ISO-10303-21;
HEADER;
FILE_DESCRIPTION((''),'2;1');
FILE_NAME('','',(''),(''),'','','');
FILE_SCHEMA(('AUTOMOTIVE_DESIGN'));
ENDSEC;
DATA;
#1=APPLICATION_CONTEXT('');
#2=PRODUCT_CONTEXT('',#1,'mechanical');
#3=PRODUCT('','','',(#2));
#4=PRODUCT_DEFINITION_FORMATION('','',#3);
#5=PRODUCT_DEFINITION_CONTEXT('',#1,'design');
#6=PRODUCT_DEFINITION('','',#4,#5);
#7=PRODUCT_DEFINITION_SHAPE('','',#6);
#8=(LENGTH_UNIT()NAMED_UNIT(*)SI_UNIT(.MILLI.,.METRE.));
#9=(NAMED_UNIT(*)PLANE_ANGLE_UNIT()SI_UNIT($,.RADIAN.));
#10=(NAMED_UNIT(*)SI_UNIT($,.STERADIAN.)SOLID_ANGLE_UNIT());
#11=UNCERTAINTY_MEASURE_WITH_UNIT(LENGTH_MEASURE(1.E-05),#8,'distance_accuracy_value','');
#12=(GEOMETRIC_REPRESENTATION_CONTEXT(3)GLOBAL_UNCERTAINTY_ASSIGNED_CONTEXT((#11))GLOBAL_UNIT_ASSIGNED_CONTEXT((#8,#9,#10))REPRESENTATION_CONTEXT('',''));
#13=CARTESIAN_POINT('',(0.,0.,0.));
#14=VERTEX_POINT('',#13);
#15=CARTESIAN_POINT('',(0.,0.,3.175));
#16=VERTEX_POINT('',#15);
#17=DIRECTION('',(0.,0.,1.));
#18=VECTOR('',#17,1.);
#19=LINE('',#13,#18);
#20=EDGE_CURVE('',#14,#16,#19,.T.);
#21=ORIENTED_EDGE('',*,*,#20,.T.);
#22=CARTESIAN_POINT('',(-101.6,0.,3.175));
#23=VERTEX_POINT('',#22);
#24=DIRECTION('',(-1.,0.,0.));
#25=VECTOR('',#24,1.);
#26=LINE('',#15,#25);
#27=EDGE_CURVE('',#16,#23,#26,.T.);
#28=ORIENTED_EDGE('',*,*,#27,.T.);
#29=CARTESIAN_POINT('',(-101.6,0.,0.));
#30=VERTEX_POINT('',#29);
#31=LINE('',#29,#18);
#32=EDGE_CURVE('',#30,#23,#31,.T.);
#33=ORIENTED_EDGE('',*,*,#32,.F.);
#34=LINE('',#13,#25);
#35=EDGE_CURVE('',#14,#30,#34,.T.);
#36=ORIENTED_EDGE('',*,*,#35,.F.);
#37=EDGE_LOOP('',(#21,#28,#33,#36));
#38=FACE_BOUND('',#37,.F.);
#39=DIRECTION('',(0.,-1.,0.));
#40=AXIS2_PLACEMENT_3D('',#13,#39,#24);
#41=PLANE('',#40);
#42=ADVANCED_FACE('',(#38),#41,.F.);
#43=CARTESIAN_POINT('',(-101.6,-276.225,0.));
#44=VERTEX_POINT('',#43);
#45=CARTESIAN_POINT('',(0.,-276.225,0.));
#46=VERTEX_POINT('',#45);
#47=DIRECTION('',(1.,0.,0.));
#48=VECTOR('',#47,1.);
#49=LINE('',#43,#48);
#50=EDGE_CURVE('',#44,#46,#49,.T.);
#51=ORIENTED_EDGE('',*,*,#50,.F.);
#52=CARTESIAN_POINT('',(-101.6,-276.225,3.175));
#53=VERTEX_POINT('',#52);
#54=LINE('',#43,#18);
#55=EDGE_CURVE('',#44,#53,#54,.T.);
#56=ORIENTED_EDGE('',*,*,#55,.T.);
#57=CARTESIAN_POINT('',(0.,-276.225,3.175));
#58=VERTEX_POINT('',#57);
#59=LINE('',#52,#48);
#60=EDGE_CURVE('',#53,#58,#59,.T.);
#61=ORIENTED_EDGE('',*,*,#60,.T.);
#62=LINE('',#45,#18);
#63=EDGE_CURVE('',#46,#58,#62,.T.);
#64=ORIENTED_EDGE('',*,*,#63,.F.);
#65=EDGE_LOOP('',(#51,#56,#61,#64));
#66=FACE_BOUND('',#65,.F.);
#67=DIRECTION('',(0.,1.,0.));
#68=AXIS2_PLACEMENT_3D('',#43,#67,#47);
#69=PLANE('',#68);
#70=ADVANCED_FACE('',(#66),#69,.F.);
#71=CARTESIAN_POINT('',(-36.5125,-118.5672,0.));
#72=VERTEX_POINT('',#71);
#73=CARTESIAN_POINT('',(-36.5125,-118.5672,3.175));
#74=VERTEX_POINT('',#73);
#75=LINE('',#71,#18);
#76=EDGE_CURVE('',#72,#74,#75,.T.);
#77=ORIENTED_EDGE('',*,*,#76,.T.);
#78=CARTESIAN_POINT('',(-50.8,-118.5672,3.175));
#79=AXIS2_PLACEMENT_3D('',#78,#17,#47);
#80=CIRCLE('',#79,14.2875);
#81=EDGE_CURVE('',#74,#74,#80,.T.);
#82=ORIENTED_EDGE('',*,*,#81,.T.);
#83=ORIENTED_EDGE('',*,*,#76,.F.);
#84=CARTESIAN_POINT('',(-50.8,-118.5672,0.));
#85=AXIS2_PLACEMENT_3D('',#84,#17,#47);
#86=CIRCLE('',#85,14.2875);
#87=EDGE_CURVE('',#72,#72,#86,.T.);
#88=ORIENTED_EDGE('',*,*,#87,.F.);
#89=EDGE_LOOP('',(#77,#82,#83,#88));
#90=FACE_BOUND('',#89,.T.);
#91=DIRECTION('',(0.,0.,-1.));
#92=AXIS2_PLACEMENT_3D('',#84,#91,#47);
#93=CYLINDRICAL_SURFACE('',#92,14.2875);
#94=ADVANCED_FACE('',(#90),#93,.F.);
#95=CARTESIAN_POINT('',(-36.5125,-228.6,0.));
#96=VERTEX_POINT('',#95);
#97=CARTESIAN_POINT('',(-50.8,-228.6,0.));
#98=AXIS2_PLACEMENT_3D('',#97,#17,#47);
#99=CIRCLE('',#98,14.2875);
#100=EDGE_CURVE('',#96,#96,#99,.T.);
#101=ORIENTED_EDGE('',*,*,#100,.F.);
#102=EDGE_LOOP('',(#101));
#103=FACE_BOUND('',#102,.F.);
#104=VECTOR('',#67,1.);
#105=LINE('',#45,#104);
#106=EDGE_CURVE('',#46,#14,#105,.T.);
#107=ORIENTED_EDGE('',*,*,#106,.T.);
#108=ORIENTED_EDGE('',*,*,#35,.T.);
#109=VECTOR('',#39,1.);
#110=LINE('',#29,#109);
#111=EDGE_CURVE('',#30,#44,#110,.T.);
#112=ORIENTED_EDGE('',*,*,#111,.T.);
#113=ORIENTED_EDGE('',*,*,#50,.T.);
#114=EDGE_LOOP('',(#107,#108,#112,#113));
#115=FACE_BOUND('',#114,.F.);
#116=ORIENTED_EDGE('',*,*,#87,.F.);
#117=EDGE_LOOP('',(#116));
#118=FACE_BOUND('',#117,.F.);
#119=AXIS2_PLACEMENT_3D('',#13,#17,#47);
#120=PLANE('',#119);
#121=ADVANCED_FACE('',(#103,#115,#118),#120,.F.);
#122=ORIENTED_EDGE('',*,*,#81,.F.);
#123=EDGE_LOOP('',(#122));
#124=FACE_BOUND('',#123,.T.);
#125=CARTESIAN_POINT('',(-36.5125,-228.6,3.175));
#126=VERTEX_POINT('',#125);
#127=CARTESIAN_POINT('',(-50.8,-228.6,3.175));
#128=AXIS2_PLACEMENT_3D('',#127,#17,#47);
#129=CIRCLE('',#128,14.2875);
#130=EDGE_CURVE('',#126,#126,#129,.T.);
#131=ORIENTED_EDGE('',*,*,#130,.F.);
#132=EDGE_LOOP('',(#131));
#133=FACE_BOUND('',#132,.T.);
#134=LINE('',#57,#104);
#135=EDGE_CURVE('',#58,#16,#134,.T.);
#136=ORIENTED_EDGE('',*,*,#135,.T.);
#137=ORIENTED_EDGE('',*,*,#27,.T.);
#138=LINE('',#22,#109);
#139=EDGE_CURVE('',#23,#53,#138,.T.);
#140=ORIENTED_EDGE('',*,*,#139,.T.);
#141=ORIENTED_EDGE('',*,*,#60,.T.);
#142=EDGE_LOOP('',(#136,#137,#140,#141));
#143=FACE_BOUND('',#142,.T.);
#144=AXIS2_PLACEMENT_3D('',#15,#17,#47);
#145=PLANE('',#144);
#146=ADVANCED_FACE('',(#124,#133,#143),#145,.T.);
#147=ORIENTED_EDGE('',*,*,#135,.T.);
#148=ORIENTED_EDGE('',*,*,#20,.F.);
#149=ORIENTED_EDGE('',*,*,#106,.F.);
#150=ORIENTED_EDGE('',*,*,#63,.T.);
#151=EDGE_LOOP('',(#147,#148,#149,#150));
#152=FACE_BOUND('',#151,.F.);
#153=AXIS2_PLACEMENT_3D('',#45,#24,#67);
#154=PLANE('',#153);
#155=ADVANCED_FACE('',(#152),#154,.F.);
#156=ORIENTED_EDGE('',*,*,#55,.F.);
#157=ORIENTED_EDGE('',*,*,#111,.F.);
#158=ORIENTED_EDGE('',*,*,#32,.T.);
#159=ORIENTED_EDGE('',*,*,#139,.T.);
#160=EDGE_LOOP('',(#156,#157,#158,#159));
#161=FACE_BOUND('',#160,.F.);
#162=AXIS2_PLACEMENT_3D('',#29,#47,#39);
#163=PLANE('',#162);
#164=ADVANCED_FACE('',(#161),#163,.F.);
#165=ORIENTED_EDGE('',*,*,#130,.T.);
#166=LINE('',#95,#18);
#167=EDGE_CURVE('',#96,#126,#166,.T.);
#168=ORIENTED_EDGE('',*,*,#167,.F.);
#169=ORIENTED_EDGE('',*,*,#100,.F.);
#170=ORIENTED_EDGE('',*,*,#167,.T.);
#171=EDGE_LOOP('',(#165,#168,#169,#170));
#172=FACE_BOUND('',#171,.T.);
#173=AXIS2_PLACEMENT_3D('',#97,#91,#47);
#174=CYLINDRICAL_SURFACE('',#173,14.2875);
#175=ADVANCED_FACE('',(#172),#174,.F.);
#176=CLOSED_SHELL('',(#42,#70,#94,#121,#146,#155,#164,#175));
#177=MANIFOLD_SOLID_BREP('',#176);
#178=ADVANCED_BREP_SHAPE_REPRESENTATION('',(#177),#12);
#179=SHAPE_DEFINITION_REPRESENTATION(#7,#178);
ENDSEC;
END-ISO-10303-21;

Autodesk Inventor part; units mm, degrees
ref_plane "YZ Plane" through (0, 0, 0) normal (1, 0, 0) x (0, 1, 0)
ref_plane "XZ Plane" through (0, 0, 0) normal (0, 1, 0) x (-1, 0, 0)
ref_plane "XY Plane" through (0, 0, 0) normal (0, 0, 1) x (1, 0, 0)
sketch "Sketch1" plane through (0, 0, 0) normal (0, 0, 1) x (1, 0, 0)
  line L0 (0, 0) -> (-101.6, 0)
  line L1 (-101.6, 0) -> (-101.6, -276.225)
  line L2 (-101.6, -276.225) -> (0, -276.225)
  line L3 (0, -276.225) -> (0, 0)
  circle A0 centre (-50.8, -228.6) radius 14.2875
  circle A1 centre (-50.8, -118.5672) radius 14.2875
  dimension "d0" = 101.6
  dimension "d1" = 276.225
  dimension "d2" = 28.575
  dimension "d3" = 110.0328
  dimension "d4" = 28.575
  dimension "d5" = 50.8
  dimension "d6" = 47.625
  dimension "d7" = 50.8
extrude "Extrusion1" add sketch "Sketch1" along normal blind 3.175
properties part number "L plate"
